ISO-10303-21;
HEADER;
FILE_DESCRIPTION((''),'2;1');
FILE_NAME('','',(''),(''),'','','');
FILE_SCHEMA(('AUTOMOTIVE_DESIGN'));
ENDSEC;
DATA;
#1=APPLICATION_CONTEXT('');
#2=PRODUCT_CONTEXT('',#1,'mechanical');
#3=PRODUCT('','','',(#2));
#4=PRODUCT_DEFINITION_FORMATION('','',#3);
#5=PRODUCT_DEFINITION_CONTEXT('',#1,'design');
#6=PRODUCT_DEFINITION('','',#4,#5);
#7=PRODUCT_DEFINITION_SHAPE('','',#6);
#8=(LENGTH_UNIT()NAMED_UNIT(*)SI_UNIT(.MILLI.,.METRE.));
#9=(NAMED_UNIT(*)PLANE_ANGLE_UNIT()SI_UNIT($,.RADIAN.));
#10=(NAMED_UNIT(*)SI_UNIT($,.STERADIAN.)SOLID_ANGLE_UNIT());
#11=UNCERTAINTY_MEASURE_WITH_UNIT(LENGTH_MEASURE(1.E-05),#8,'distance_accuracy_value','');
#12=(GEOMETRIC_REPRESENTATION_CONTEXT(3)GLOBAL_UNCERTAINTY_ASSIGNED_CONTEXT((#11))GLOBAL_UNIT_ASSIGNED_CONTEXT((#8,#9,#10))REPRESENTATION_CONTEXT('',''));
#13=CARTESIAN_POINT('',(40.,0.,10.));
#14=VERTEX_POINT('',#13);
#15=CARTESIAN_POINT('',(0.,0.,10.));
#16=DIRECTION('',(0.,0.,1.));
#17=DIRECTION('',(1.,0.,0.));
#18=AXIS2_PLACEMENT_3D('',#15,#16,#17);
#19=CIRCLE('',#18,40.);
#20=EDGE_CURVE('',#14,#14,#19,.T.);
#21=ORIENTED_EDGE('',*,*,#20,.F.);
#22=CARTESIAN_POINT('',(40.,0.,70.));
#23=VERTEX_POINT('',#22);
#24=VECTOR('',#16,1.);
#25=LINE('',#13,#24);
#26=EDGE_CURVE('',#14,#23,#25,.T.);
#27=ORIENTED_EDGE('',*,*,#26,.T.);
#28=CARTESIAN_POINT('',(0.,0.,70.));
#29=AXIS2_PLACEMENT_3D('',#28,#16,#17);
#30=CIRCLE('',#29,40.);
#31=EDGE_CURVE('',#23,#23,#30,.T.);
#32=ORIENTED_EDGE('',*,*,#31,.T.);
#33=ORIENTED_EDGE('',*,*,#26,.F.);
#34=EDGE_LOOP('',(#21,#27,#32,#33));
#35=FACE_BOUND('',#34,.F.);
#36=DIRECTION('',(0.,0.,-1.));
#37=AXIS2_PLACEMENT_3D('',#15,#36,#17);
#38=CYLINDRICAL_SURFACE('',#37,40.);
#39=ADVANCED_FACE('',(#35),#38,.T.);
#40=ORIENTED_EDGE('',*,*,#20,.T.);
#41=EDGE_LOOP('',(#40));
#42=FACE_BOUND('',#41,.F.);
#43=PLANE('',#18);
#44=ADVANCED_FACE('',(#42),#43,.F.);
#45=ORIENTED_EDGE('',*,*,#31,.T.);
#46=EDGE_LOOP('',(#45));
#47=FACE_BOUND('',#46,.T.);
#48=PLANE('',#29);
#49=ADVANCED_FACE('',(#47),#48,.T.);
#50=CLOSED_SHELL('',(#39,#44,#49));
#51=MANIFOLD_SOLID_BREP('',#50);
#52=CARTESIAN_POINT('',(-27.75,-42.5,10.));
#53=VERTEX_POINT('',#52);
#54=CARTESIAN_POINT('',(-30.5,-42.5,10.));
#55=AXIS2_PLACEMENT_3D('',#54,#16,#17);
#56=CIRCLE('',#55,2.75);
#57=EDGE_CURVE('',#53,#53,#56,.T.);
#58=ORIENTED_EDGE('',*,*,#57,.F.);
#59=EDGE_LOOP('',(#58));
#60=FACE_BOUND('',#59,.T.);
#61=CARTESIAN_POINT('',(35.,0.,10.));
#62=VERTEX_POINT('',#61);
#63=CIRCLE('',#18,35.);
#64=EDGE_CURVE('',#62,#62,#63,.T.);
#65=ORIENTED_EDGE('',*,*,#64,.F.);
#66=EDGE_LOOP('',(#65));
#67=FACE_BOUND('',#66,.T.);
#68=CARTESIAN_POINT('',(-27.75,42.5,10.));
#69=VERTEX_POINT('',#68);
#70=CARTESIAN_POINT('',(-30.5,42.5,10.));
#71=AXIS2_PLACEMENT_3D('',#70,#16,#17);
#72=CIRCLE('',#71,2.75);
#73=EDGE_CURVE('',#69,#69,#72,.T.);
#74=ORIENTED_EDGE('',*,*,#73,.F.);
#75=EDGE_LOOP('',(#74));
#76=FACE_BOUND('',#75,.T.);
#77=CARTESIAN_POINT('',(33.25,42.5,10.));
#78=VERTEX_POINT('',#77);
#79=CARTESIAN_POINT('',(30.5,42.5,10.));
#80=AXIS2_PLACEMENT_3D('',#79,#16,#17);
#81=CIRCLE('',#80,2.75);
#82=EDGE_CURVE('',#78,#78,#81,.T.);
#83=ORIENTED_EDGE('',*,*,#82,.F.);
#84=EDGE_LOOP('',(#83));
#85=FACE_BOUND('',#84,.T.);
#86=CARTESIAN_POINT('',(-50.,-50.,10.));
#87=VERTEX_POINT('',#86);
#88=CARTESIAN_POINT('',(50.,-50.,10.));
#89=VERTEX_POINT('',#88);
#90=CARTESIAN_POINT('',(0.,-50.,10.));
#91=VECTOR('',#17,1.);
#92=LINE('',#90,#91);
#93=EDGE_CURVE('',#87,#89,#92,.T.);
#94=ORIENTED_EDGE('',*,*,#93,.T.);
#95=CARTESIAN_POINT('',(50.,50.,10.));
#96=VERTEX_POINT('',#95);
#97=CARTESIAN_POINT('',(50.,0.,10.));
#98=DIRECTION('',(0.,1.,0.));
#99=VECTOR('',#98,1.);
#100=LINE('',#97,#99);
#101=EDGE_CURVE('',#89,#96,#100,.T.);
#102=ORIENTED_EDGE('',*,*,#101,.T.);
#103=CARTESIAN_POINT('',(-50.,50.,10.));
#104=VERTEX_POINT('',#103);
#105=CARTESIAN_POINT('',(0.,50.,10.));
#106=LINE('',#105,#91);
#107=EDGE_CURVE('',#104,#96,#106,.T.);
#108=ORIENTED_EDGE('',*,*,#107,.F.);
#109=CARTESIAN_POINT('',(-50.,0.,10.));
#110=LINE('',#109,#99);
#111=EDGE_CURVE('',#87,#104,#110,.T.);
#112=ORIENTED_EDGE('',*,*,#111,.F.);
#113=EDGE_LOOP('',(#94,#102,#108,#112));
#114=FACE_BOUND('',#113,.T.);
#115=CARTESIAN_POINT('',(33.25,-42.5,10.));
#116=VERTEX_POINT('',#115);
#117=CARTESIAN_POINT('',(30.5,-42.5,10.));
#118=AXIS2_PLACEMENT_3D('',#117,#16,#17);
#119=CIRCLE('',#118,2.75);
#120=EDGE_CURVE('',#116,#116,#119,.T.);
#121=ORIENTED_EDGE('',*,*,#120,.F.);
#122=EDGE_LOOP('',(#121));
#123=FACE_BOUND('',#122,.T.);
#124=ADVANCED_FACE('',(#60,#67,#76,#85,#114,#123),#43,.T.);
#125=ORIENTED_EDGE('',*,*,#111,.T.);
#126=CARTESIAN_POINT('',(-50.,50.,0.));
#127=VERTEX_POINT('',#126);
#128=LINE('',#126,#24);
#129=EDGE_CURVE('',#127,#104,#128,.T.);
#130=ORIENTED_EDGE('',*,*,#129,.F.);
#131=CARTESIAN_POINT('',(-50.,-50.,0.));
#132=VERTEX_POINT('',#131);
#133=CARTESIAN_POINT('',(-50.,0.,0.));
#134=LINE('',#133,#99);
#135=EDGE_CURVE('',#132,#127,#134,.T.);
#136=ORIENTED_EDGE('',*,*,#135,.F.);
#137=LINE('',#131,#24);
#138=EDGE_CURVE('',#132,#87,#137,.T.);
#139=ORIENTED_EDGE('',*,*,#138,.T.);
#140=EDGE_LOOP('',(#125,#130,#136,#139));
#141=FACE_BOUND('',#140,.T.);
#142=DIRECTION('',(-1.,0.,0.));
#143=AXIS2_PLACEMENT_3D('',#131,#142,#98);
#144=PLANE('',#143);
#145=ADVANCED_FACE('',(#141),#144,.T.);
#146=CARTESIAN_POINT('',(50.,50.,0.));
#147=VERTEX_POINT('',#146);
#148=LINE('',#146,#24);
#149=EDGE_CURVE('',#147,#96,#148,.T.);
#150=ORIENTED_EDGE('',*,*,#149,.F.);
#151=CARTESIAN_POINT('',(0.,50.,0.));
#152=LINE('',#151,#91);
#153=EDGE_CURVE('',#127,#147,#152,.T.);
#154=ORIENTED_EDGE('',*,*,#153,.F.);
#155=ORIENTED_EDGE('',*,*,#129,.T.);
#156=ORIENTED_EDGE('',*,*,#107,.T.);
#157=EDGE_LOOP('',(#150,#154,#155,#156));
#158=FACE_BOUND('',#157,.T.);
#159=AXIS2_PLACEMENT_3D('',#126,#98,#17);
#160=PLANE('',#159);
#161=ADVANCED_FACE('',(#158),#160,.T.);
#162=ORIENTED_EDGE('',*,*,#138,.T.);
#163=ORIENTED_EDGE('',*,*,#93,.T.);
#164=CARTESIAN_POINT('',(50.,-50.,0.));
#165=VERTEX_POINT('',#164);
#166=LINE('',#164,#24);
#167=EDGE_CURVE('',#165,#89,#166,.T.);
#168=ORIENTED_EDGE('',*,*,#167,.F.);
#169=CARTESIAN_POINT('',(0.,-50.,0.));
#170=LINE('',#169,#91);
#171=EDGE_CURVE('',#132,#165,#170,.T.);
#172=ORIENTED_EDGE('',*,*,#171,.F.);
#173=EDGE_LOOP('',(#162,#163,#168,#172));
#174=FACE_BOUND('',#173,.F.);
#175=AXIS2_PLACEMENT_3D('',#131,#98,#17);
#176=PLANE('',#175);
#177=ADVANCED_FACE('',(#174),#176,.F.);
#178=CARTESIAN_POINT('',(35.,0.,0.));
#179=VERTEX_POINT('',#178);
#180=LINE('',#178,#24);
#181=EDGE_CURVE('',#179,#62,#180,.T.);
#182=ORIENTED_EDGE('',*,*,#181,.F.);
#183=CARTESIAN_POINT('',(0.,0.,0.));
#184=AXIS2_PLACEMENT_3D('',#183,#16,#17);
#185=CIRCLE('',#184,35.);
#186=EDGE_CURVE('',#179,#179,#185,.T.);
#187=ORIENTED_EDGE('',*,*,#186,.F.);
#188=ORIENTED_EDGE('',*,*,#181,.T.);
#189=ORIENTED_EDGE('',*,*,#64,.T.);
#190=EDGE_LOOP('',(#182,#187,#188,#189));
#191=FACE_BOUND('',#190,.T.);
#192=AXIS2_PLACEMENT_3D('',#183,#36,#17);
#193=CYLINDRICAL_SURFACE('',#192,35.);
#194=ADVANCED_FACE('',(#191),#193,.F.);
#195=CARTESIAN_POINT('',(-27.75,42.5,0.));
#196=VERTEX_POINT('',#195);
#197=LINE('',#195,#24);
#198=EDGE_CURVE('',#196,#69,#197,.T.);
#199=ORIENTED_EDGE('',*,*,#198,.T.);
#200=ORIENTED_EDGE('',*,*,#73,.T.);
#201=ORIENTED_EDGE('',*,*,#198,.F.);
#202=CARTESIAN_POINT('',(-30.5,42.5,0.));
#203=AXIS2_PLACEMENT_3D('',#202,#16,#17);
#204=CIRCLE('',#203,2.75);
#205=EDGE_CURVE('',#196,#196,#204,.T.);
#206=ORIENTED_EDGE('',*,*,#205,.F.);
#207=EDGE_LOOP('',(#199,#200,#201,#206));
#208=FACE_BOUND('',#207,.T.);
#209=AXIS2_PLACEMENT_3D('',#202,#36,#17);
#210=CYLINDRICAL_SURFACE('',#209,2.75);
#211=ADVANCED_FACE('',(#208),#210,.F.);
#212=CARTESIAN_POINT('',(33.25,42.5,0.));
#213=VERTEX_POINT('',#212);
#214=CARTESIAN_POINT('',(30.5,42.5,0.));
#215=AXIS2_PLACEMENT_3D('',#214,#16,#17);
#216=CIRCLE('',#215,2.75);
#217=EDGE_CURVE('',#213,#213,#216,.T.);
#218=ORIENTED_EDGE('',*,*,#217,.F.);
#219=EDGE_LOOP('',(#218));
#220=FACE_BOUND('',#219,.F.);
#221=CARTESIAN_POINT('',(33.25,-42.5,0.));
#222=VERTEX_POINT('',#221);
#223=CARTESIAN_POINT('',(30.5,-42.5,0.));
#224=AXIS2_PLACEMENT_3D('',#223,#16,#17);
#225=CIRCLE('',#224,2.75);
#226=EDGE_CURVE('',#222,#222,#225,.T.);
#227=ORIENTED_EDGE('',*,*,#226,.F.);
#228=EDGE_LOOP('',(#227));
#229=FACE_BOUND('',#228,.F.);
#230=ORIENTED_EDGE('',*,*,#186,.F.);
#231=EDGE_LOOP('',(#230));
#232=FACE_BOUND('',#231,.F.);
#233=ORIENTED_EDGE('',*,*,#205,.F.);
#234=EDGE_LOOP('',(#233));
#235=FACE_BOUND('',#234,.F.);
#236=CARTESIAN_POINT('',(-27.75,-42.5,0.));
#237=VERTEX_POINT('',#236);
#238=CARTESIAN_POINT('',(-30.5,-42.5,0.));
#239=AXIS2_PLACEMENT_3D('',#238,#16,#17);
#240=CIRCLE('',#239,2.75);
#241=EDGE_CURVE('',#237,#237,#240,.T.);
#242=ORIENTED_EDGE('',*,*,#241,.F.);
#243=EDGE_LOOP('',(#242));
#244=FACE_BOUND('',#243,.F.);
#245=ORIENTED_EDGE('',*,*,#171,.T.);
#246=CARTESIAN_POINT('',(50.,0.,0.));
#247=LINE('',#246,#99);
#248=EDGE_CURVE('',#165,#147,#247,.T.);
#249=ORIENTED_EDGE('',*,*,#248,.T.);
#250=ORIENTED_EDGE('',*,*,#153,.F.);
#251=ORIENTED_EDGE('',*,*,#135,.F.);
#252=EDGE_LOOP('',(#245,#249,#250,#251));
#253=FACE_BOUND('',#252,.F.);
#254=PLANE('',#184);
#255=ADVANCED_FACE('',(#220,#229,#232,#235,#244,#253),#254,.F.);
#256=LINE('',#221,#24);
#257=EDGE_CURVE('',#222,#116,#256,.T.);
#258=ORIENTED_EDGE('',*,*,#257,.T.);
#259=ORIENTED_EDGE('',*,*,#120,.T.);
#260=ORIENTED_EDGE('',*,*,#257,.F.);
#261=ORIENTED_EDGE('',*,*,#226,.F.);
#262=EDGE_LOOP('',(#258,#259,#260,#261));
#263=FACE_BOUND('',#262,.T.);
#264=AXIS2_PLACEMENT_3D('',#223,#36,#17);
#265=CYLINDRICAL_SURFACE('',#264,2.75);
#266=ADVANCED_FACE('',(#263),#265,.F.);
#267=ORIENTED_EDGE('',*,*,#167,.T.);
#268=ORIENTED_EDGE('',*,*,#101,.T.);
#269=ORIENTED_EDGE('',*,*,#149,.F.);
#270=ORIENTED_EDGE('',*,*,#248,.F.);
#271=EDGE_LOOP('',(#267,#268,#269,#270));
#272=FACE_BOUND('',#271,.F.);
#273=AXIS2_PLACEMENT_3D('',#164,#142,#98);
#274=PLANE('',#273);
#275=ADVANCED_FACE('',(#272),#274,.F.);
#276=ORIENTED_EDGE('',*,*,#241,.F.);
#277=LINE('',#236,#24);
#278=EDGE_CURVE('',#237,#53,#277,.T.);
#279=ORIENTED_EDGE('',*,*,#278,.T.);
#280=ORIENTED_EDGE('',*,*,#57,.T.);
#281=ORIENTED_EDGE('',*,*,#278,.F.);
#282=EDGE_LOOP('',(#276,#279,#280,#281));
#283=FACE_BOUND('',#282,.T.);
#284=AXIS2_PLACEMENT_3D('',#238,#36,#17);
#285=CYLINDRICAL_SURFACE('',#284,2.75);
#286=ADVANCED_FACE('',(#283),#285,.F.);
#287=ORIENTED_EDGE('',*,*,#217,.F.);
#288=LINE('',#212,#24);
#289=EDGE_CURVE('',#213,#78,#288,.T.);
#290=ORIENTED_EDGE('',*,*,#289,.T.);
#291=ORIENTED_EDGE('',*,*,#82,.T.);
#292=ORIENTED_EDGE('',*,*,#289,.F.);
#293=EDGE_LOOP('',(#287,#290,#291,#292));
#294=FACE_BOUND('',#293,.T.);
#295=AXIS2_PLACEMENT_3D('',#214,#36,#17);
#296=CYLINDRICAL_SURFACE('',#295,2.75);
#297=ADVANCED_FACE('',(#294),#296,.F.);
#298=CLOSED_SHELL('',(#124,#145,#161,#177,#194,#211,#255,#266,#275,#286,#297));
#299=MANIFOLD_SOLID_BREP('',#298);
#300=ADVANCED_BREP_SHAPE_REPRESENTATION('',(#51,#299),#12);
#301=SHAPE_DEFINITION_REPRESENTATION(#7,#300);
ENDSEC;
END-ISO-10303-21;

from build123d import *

# Parameters (mm, degrees)
F0_W     = 100
F0_H     = 100
F0_R     = 2.75
F0_R_2   = 35
F1_DEPTH = 10
F2_R     = 40
F2_R_2   = 35
F3_DEPTH = 60


with BuildPart() as f1:
    # F0 (on Top) → F1 (new body)
    with BuildSketch(Plane.XY):
        Rectangle(F0_W, F0_H)
        with Locations((-30.5, -42.5)):
            Circle(F0_R, mode=Mode.SUBTRACT)
        with Locations((30.5, -42.5)):
            Circle(F0_R, mode=Mode.SUBTRACT)
        with Locations((-30.5, 42.5)):
            Circle(F0_R, mode=Mode.SUBTRACT)
        Circle(F0_R_2, mode=Mode.SUBTRACT)
        with Locations((30.5, 42.5)):
            Circle(F0_R, mode=Mode.SUBTRACT)
    extrude(amount=F1_DEPTH)


with BuildPart() as f3:
    # F2 (on face) → F3 (new body)
    with BuildSketch(Plane.XY.offset(10)):
        Circle(F2_R)
        Circle(F2_R_2, mode=Mode.SUBTRACT)
        Circle(F2_R_2)
    extrude(amount=F3_DEPTH)


solid = Compound([f1.part, f3.part])
